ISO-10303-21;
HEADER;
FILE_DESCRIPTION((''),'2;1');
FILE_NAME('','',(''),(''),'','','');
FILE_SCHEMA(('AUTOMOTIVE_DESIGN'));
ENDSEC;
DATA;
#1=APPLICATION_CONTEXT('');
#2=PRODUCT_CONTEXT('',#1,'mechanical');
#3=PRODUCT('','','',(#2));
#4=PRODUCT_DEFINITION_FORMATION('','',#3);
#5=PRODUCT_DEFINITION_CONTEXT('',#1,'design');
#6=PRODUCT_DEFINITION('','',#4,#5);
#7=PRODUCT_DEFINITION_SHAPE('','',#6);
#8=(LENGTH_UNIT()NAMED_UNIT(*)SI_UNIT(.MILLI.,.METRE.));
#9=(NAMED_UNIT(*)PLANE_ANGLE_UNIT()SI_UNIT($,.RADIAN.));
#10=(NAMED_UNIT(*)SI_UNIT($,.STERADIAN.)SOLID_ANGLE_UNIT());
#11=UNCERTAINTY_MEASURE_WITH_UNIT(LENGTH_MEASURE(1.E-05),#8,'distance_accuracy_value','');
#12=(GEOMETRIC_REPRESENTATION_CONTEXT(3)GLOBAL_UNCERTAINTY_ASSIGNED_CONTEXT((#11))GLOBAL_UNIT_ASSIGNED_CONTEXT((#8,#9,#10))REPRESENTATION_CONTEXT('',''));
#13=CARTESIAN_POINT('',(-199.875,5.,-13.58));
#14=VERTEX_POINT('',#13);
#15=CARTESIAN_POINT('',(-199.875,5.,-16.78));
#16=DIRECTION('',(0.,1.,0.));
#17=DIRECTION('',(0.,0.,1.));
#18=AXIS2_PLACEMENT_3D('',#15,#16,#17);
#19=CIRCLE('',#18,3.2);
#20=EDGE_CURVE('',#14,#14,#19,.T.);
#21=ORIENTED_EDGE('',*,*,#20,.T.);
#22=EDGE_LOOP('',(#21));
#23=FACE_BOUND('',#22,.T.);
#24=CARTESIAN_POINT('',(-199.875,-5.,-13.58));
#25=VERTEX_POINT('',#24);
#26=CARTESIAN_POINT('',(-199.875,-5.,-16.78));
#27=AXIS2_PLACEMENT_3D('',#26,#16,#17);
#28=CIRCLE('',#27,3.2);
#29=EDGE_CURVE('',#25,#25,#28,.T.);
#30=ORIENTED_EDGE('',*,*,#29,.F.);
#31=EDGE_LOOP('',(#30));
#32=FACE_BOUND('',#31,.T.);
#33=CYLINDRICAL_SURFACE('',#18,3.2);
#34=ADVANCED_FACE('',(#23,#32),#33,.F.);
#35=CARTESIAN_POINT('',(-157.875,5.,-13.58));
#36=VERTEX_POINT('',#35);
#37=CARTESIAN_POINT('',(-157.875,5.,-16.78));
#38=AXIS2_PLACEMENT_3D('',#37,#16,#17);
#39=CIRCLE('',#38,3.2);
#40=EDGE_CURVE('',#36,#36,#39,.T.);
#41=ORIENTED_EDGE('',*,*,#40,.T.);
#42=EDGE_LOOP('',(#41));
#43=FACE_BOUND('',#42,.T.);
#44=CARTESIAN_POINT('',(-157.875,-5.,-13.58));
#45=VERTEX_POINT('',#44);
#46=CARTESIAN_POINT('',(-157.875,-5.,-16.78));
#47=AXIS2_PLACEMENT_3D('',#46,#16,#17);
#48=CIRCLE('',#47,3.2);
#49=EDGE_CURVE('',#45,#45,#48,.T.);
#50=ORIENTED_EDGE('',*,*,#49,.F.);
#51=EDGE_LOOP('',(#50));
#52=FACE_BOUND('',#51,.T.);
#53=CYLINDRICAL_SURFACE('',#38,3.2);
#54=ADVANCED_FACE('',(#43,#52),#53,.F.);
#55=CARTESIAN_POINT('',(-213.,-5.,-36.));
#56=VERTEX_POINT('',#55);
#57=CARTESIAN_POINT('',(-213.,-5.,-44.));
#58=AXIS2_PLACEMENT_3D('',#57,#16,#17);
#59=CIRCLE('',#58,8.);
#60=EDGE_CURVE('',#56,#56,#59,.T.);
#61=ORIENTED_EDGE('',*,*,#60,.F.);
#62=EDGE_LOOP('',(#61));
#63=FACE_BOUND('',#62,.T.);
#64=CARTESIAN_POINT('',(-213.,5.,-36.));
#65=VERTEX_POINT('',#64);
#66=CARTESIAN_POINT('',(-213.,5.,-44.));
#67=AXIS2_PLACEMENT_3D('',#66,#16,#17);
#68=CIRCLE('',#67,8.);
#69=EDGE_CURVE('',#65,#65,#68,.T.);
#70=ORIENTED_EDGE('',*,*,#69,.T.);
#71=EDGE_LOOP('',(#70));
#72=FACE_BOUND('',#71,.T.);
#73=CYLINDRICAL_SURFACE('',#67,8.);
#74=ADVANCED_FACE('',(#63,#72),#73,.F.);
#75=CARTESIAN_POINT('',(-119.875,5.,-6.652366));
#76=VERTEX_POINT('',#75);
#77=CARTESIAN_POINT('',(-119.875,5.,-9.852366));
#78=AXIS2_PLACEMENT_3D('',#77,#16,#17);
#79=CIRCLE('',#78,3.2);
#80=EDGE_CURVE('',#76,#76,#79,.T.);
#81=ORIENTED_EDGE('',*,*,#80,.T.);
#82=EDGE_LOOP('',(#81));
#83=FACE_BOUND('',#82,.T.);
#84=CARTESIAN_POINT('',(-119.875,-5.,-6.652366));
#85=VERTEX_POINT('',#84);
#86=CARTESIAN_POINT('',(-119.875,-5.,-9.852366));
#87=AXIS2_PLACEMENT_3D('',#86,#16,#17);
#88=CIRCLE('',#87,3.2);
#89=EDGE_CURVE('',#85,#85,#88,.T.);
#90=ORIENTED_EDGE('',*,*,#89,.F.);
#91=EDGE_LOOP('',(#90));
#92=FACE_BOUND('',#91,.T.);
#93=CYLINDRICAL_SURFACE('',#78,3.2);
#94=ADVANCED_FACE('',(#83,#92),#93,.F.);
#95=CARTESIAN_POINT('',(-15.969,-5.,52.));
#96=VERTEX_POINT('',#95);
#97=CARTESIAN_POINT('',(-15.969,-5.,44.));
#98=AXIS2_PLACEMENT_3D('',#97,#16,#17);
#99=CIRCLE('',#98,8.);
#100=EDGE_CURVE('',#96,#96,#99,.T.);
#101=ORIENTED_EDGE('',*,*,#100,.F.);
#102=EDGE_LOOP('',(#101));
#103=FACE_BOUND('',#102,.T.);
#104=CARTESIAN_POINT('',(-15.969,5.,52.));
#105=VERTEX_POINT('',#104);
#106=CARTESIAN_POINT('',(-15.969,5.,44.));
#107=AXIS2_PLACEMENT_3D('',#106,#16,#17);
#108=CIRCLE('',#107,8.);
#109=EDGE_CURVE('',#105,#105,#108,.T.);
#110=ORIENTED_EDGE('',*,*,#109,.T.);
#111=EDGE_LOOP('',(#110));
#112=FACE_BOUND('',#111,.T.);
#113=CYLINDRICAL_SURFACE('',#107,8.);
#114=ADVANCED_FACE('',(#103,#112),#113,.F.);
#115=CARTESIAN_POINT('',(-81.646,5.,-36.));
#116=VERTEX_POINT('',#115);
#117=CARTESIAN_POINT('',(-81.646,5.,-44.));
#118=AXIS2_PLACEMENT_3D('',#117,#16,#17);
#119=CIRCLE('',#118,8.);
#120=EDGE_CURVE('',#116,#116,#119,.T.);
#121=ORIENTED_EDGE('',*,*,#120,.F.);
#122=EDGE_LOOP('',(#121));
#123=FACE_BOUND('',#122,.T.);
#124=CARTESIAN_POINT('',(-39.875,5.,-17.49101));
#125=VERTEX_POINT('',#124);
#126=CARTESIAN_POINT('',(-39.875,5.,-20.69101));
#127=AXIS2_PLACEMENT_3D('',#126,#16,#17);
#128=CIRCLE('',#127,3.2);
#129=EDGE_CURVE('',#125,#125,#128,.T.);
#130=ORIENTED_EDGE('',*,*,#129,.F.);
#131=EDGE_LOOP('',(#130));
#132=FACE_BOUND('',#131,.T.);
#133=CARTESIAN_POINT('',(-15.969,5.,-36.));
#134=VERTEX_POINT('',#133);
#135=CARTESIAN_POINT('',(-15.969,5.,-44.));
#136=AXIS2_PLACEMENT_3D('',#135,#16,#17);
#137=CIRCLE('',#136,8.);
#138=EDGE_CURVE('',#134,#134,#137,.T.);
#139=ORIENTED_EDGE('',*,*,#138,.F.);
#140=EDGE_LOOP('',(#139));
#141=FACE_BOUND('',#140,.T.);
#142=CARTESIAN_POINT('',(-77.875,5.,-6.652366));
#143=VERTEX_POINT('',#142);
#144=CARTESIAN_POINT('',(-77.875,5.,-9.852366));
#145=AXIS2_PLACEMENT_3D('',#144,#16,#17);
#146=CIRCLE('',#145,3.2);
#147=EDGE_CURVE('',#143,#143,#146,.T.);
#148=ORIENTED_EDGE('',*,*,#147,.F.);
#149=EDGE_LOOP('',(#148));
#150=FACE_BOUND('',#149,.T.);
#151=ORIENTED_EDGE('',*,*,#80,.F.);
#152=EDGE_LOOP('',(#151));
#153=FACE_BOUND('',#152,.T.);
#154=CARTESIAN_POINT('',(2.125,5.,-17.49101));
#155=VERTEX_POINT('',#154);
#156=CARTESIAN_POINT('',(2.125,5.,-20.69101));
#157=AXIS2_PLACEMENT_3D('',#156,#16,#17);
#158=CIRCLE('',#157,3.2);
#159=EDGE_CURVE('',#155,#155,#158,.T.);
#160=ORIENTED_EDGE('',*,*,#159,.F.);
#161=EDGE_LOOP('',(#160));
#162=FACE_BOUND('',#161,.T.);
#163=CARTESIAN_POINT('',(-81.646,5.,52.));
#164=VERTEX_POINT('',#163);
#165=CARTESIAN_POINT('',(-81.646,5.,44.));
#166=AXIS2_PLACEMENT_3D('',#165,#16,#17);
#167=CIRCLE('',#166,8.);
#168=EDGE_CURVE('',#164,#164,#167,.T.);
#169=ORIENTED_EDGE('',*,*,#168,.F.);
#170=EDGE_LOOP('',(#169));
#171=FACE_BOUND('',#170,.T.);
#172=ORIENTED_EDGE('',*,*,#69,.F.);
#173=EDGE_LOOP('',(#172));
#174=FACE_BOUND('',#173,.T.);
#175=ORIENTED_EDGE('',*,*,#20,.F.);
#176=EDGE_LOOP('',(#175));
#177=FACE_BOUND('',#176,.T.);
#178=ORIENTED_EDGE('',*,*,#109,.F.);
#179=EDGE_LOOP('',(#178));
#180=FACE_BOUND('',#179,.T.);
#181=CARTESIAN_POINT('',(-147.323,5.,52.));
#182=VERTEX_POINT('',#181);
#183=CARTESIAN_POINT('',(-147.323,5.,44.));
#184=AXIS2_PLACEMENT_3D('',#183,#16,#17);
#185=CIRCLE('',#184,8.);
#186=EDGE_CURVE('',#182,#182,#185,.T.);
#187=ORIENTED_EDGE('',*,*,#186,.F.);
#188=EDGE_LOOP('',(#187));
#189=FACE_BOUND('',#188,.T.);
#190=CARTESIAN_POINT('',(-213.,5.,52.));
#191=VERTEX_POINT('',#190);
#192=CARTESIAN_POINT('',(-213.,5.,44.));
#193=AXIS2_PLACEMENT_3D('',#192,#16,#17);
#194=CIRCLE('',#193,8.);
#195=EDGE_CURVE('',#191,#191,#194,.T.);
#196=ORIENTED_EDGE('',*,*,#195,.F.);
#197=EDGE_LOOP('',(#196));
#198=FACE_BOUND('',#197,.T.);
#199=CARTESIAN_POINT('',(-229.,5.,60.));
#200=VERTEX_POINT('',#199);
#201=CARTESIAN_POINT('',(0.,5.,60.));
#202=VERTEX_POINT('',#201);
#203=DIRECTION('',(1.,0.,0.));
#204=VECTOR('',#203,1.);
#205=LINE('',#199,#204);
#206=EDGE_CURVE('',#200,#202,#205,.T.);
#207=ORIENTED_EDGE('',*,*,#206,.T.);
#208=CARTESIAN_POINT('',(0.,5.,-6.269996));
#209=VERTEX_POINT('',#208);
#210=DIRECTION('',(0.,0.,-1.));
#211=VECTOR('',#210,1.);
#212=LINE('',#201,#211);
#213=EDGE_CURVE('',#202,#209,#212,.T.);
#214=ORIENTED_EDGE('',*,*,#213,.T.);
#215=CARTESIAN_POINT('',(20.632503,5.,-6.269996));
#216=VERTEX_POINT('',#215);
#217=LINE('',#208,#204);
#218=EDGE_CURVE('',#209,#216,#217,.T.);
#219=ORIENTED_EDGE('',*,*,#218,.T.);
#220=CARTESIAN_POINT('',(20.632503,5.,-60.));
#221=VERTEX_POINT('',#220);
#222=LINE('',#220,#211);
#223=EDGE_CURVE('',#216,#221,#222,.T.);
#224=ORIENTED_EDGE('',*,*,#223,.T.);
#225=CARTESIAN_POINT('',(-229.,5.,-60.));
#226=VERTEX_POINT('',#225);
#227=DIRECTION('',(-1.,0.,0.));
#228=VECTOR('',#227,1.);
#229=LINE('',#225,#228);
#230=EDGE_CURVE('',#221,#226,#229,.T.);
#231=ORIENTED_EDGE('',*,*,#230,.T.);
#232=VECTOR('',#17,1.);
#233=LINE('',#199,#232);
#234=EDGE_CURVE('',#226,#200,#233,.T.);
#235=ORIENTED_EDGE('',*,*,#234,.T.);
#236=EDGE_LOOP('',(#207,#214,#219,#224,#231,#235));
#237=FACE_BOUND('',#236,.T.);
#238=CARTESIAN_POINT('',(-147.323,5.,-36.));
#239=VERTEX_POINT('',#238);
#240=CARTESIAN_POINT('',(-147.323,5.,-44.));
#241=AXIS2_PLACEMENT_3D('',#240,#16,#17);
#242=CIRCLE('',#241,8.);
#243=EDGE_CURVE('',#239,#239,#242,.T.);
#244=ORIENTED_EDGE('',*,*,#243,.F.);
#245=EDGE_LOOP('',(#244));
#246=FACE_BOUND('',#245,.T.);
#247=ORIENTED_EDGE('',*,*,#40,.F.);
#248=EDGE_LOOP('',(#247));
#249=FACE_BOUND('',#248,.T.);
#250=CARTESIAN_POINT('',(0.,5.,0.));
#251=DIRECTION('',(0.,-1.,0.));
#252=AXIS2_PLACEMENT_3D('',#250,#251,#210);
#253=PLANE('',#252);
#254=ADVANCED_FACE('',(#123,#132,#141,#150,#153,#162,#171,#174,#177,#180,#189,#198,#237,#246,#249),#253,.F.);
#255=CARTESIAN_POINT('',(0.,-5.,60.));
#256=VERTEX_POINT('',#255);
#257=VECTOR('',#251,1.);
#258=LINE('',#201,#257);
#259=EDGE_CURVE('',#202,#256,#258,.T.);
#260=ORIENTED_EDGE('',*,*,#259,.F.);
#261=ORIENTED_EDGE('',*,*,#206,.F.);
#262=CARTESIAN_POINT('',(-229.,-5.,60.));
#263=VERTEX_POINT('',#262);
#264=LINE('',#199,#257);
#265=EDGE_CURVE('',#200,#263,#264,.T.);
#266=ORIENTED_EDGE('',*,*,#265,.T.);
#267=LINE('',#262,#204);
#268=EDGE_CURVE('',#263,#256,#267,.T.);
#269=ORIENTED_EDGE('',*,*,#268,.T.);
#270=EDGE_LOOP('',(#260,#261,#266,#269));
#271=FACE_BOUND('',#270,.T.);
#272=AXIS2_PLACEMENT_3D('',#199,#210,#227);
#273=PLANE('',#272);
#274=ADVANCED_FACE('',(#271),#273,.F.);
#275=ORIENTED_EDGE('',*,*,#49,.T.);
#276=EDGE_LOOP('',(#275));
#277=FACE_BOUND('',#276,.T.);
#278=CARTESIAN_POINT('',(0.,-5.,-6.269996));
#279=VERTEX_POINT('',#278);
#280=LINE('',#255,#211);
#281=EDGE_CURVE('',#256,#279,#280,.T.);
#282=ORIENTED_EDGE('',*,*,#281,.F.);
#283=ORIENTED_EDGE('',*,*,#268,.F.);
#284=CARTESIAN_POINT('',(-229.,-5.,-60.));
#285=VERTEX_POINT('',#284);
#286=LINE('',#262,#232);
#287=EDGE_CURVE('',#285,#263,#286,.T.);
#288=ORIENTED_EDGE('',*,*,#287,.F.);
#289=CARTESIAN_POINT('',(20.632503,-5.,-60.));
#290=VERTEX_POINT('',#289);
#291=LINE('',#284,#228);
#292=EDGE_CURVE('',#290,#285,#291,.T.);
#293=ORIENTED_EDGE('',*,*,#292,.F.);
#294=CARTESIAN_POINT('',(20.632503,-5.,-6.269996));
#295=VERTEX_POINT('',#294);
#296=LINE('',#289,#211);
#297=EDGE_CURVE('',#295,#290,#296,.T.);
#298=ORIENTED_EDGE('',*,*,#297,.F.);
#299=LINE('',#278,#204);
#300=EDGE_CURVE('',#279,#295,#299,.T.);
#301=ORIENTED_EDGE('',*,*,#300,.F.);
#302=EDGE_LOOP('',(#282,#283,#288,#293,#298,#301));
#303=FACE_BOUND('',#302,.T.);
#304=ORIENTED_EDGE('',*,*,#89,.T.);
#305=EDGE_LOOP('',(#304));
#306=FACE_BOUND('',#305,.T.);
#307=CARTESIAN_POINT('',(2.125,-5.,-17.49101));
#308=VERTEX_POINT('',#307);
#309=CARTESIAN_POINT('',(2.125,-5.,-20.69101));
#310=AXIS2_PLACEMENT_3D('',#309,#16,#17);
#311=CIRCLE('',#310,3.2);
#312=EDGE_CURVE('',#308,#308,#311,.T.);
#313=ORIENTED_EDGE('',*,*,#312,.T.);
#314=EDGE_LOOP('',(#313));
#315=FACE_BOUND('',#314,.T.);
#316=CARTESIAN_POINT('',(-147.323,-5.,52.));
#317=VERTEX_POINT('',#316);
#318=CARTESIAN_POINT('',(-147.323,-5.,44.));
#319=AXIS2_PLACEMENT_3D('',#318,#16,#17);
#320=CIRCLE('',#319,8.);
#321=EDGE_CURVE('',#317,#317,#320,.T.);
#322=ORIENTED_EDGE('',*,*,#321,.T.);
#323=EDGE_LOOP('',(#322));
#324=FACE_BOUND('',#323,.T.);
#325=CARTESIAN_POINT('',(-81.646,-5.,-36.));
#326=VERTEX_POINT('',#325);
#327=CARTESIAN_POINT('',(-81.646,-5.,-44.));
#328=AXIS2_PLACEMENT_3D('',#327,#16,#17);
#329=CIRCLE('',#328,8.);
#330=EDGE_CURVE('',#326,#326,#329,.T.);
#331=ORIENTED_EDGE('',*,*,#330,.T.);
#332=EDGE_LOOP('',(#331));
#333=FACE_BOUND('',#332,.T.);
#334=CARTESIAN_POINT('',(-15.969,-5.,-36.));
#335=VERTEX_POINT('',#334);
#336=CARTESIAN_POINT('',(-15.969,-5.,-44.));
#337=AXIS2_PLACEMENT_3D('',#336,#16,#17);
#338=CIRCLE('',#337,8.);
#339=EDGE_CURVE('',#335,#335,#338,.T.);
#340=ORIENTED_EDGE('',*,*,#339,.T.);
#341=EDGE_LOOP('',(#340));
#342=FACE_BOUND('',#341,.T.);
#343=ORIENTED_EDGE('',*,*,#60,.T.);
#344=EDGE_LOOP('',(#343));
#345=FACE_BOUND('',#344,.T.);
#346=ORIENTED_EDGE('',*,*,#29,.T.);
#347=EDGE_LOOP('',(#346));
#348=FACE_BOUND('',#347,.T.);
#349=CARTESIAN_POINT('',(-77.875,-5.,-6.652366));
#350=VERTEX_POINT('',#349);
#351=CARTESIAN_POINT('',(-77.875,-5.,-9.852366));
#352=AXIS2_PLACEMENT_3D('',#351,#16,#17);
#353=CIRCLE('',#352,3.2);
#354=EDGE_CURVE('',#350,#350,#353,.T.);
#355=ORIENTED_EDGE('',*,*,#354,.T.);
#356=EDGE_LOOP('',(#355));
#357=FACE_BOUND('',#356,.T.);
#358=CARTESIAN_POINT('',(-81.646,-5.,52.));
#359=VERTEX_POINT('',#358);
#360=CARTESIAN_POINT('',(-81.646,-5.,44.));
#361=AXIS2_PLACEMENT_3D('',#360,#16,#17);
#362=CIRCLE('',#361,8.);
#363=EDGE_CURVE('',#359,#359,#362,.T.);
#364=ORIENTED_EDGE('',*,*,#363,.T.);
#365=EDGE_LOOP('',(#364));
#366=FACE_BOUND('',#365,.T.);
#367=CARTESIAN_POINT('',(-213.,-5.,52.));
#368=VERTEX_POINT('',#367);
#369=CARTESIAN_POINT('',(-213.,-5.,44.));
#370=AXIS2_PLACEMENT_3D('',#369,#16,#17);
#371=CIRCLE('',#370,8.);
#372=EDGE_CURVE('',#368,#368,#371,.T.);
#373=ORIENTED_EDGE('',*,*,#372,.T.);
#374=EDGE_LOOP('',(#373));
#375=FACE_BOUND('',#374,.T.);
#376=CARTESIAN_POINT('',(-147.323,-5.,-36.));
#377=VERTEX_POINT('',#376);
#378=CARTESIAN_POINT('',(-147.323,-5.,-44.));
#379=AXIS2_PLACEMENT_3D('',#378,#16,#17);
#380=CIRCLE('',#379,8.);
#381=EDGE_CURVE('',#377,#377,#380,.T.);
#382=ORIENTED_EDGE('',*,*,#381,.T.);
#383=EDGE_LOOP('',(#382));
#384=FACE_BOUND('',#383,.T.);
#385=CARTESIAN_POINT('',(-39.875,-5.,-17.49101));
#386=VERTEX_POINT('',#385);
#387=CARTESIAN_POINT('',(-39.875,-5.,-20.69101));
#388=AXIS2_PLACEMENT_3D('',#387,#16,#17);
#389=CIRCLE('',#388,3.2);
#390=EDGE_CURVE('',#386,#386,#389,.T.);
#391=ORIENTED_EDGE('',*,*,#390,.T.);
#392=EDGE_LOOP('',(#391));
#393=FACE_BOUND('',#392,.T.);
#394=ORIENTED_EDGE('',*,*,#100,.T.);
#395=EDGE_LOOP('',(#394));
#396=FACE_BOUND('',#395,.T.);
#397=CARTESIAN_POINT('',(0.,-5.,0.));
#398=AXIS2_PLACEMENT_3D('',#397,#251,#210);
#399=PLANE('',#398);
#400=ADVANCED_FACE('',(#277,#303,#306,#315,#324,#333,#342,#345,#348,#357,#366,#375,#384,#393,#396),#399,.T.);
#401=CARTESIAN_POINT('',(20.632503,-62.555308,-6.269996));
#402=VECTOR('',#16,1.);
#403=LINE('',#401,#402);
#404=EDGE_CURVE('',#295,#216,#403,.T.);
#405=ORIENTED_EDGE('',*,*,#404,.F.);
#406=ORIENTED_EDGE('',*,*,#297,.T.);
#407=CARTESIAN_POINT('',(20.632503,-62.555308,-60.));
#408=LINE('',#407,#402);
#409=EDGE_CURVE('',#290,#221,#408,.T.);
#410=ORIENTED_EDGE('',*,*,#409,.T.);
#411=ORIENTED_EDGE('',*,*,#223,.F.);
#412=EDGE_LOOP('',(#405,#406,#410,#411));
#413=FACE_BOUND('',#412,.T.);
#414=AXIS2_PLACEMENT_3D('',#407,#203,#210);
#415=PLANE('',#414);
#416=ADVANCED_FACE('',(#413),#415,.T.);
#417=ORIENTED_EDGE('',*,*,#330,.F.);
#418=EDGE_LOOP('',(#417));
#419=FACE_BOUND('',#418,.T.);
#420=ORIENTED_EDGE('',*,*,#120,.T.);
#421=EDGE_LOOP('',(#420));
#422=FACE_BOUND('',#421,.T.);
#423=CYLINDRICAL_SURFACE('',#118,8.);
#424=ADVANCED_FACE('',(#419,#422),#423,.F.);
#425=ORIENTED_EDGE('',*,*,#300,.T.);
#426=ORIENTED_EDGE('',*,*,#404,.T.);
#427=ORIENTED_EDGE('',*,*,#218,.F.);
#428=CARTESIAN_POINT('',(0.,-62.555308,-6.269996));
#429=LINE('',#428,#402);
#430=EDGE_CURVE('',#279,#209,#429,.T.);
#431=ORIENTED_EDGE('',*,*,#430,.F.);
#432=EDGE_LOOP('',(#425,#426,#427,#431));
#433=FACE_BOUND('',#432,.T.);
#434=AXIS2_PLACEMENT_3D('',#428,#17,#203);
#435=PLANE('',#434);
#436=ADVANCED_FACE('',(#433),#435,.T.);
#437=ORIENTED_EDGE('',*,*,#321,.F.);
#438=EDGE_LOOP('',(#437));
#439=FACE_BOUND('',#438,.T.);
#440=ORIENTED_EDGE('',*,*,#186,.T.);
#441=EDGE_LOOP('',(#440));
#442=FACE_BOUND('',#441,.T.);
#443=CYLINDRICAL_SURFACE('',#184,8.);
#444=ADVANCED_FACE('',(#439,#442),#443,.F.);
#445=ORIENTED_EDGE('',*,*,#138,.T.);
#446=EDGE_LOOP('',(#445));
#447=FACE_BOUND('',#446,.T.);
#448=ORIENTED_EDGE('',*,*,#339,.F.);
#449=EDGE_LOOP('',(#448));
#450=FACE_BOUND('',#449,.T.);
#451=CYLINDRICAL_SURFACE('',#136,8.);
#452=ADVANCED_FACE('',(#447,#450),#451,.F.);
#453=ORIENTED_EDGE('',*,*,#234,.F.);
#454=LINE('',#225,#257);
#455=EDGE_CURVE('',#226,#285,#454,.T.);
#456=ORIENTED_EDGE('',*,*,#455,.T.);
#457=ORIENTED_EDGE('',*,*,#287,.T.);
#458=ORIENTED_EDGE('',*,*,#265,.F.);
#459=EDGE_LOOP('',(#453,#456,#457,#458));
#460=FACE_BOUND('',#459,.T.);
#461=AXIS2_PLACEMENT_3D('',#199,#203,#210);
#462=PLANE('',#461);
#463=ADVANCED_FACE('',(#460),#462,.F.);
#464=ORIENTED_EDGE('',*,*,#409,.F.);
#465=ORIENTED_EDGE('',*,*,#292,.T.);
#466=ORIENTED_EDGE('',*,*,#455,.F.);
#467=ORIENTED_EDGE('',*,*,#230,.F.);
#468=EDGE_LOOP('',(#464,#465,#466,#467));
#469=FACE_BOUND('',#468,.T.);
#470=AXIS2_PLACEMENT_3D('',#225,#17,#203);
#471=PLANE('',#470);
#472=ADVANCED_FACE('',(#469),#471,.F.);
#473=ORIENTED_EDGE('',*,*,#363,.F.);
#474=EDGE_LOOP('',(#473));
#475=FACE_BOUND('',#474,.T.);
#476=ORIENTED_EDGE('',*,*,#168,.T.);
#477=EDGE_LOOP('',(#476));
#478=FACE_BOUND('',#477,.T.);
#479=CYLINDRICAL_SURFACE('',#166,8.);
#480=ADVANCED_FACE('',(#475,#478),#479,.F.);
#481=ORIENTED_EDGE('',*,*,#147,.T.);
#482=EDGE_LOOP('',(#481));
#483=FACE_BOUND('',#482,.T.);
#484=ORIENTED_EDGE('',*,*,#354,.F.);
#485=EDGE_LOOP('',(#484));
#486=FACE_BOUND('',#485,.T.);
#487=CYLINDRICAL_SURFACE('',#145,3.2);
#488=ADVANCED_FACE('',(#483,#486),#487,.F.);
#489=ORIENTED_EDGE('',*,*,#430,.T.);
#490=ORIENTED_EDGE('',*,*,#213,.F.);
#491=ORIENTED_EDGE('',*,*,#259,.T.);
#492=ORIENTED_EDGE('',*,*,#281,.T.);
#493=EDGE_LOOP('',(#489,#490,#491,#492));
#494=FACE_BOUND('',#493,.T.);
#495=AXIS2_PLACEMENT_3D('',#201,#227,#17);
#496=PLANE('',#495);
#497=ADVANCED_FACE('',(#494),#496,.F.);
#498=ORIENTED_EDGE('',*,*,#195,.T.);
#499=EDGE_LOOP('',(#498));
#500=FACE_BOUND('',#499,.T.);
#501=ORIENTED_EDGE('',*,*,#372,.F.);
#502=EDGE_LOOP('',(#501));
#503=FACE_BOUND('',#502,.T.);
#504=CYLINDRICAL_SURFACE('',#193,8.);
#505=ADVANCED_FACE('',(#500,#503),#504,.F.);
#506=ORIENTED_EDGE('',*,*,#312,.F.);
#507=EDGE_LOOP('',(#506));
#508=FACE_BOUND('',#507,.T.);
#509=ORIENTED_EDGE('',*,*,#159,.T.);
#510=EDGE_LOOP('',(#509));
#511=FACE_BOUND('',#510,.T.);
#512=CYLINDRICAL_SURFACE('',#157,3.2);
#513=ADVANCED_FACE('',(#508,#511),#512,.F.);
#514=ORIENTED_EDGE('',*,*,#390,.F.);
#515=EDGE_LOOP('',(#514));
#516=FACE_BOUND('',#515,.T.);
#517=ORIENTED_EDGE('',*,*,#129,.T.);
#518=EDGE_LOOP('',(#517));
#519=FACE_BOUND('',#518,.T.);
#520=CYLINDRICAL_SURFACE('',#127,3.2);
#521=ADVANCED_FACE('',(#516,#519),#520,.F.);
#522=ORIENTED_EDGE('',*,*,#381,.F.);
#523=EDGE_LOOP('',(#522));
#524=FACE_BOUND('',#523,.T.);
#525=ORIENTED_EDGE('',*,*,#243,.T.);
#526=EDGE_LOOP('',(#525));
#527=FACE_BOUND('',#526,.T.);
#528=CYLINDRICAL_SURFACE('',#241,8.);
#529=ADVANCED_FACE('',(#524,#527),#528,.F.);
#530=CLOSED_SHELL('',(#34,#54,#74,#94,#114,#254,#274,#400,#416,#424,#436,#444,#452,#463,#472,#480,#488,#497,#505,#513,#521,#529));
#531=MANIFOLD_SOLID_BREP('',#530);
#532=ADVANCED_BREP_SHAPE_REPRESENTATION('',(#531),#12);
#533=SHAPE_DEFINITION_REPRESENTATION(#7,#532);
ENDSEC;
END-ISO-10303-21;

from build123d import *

# Parameters (mm, degrees)
SKETCH1_W                  = 229
SKETCH1_H                  = 120
BOSS_EXTRUDE1_DEPTH        = 5
SKETCH4_W                  = 20.632503002
SKETCH4_H                  = 53.730004003
BOSS_EXTRUDE2_DEPTH        = 10
F_16_0_16_DIAMETER_HOLE1_D = 16
M6_CLEARANCE_HOLE1_D       = 6.4


with BuildPart() as part:
    # Sketch1 → Boss-Extrude1 (new, symmetric)
    with BuildSketch(Plane(origin=(0, 0, 0), x_dir=(1, 0, 0), z_dir=(0, 1, 0))):
        with Locations((-114.5, 0)):
            Rectangle(SKETCH1_W, SKETCH1_H)
    extrude(amount=BOSS_EXTRUDE1_DEPTH, both=True)

    # Sketch4 → Boss-Extrude2 (add)
    with BuildSketch(Plane(origin=(0, 5, 0), x_dir=(1, 0, 0), z_dir=(0, 1, 0))):
        with Locations((10.316251501, 33.134997999)):
            Rectangle(SKETCH4_W, SKETCH4_H)
    extrude(amount=-BOSS_EXTRUDE2_DEPTH)

    # Ø16.0 (16) Diameter Hole1 (through all)
    with Locations(Plane(origin=(0, 5, 0), x_dir=(1, 0, 0), z_dir=(0, 1, 0))):
        with Locations((-213, 44), (-147.323, 44), (-81.646, 44), (-15.969, 44), (-213, -44), (-147.323, -44), (-81.646, -44), (-15.969, -44)):
            Hole(F_16_0_16_DIAMETER_HOLE1_D / 2)

    # M6 Clearance Hole1 (through all)
    with Locations(Plane(origin=(0, 5, 0), x_dir=(1, 0, 0), z_dir=(0, 1, 0))):
        with Locations((-199.875, 16.78), (-157.875, 16.78), (-119.875, 9.852366083), (-77.875, 9.852366083), (-39.875, 20.69101), (2.125, 20.69101)):
            Hole(M6_CLEARANCE_HOLE1_D / 2)


solid = part.part
